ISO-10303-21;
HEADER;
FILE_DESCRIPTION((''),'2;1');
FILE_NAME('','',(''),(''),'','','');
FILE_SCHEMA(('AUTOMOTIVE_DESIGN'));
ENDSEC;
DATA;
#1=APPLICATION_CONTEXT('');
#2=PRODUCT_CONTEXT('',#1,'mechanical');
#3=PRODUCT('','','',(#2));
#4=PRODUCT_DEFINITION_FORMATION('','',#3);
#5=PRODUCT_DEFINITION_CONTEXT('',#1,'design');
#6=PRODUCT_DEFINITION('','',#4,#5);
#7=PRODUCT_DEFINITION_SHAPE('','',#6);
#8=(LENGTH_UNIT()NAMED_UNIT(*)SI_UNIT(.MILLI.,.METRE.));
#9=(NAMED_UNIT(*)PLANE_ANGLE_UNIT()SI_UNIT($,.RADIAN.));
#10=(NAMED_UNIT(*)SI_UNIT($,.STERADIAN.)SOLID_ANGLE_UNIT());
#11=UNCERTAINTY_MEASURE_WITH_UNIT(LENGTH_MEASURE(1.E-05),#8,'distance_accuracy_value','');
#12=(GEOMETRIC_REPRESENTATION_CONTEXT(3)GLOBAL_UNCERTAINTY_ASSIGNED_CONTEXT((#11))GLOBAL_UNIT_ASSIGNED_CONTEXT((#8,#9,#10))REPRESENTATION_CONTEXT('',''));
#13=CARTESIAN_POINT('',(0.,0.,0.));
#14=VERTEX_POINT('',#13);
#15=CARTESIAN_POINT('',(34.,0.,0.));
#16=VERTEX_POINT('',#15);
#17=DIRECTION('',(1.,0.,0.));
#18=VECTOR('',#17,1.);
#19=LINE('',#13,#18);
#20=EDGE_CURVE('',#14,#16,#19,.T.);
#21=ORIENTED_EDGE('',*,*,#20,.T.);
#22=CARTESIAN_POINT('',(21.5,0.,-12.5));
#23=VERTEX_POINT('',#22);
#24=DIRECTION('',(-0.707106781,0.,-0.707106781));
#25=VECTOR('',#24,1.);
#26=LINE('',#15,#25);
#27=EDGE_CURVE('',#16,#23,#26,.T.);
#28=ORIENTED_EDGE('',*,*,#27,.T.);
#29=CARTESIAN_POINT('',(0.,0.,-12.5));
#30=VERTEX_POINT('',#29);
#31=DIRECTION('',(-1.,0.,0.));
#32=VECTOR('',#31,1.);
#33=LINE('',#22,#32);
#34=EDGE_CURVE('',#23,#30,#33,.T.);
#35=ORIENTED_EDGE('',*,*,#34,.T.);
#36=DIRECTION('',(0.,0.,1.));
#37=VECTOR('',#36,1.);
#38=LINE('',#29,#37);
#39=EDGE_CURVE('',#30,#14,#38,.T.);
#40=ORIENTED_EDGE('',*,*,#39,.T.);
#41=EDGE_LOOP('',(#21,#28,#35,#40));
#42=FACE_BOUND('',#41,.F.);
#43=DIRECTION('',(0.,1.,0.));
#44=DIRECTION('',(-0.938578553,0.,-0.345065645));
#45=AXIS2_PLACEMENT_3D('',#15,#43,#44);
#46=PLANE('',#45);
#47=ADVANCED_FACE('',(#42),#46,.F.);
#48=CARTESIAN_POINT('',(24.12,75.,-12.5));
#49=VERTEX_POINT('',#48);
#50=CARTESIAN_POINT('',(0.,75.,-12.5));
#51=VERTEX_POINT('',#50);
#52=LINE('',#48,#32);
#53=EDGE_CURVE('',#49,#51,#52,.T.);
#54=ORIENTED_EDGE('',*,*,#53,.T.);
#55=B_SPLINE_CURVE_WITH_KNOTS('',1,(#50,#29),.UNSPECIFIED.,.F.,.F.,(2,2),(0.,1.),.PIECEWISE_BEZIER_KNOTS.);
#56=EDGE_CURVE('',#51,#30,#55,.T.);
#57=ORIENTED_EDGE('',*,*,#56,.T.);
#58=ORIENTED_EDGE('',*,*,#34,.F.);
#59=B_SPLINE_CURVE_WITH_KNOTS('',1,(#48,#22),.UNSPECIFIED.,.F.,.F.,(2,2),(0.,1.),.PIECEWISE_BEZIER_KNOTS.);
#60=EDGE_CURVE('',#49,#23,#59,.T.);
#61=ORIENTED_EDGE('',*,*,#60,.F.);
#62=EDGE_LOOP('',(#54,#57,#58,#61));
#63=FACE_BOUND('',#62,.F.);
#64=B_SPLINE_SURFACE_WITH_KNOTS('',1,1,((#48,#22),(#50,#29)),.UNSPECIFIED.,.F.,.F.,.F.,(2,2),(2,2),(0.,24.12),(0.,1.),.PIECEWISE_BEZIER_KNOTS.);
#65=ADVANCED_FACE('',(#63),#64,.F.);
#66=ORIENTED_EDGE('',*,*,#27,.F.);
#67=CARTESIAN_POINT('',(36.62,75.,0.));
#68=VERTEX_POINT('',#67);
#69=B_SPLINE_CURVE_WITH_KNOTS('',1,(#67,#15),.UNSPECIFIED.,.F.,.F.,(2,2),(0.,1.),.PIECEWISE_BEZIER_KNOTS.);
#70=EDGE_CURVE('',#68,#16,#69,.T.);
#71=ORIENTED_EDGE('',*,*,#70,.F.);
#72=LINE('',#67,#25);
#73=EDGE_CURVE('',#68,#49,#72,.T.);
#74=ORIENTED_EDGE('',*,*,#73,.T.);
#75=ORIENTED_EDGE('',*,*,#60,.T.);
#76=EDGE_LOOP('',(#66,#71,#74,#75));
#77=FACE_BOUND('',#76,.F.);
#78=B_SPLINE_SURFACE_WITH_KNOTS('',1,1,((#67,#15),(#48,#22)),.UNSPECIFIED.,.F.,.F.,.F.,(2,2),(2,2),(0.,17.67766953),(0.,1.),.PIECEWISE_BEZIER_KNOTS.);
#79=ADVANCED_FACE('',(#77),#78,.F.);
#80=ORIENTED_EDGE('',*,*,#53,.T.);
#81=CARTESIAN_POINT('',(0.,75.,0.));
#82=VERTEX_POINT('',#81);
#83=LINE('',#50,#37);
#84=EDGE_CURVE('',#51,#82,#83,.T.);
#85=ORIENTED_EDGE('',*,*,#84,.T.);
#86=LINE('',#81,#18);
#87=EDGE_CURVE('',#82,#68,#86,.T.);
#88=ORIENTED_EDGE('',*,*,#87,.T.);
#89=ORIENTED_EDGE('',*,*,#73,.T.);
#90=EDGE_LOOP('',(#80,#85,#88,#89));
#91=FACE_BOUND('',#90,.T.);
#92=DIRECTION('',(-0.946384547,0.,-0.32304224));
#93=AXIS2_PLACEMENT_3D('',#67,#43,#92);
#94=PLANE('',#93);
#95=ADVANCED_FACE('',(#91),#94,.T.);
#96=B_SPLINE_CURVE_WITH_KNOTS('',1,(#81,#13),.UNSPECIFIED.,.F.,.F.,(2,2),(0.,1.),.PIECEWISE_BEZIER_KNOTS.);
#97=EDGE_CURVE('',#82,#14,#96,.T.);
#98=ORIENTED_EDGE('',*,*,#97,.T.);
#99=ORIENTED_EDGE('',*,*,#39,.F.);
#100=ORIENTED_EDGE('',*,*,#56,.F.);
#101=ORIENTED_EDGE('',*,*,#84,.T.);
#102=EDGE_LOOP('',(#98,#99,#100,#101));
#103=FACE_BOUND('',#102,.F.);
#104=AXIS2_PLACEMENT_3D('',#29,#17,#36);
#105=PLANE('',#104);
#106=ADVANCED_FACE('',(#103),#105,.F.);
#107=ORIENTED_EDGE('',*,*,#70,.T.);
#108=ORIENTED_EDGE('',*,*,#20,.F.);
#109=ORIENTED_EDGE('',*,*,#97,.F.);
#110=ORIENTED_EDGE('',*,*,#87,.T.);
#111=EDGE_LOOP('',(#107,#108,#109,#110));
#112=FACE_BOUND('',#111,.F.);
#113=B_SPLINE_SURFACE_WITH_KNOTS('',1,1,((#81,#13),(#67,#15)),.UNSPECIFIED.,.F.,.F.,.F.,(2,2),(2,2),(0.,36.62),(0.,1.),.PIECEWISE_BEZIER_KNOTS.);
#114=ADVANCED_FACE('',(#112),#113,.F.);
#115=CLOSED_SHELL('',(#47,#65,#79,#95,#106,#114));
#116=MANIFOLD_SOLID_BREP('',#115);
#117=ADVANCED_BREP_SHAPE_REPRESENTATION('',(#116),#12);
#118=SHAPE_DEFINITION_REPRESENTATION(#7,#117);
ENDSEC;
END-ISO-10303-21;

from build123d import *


with BuildPart() as part:
    # Croquis2 → Recubrir1 section 0
    with BuildSketch(Plane(origin=(0, 75, 0), x_dir=(-1, 0, 0), z_dir=(0, -1, 0))):
        Polygon((-36.62, 0), (-24.12, 12.5), (0, 12.5), (0, 0), align=None)
    # Croquis1 → Recubrir1 section 1
    with BuildSketch(Plane(origin=(0, 0, 0), x_dir=(1, 0, 0), z_dir=(0, 1, 0))):
        Polygon((0, 0), (34, 0), (21.5, 12.5), (0, 12.5), align=None)
    loft()


solid = part.part
